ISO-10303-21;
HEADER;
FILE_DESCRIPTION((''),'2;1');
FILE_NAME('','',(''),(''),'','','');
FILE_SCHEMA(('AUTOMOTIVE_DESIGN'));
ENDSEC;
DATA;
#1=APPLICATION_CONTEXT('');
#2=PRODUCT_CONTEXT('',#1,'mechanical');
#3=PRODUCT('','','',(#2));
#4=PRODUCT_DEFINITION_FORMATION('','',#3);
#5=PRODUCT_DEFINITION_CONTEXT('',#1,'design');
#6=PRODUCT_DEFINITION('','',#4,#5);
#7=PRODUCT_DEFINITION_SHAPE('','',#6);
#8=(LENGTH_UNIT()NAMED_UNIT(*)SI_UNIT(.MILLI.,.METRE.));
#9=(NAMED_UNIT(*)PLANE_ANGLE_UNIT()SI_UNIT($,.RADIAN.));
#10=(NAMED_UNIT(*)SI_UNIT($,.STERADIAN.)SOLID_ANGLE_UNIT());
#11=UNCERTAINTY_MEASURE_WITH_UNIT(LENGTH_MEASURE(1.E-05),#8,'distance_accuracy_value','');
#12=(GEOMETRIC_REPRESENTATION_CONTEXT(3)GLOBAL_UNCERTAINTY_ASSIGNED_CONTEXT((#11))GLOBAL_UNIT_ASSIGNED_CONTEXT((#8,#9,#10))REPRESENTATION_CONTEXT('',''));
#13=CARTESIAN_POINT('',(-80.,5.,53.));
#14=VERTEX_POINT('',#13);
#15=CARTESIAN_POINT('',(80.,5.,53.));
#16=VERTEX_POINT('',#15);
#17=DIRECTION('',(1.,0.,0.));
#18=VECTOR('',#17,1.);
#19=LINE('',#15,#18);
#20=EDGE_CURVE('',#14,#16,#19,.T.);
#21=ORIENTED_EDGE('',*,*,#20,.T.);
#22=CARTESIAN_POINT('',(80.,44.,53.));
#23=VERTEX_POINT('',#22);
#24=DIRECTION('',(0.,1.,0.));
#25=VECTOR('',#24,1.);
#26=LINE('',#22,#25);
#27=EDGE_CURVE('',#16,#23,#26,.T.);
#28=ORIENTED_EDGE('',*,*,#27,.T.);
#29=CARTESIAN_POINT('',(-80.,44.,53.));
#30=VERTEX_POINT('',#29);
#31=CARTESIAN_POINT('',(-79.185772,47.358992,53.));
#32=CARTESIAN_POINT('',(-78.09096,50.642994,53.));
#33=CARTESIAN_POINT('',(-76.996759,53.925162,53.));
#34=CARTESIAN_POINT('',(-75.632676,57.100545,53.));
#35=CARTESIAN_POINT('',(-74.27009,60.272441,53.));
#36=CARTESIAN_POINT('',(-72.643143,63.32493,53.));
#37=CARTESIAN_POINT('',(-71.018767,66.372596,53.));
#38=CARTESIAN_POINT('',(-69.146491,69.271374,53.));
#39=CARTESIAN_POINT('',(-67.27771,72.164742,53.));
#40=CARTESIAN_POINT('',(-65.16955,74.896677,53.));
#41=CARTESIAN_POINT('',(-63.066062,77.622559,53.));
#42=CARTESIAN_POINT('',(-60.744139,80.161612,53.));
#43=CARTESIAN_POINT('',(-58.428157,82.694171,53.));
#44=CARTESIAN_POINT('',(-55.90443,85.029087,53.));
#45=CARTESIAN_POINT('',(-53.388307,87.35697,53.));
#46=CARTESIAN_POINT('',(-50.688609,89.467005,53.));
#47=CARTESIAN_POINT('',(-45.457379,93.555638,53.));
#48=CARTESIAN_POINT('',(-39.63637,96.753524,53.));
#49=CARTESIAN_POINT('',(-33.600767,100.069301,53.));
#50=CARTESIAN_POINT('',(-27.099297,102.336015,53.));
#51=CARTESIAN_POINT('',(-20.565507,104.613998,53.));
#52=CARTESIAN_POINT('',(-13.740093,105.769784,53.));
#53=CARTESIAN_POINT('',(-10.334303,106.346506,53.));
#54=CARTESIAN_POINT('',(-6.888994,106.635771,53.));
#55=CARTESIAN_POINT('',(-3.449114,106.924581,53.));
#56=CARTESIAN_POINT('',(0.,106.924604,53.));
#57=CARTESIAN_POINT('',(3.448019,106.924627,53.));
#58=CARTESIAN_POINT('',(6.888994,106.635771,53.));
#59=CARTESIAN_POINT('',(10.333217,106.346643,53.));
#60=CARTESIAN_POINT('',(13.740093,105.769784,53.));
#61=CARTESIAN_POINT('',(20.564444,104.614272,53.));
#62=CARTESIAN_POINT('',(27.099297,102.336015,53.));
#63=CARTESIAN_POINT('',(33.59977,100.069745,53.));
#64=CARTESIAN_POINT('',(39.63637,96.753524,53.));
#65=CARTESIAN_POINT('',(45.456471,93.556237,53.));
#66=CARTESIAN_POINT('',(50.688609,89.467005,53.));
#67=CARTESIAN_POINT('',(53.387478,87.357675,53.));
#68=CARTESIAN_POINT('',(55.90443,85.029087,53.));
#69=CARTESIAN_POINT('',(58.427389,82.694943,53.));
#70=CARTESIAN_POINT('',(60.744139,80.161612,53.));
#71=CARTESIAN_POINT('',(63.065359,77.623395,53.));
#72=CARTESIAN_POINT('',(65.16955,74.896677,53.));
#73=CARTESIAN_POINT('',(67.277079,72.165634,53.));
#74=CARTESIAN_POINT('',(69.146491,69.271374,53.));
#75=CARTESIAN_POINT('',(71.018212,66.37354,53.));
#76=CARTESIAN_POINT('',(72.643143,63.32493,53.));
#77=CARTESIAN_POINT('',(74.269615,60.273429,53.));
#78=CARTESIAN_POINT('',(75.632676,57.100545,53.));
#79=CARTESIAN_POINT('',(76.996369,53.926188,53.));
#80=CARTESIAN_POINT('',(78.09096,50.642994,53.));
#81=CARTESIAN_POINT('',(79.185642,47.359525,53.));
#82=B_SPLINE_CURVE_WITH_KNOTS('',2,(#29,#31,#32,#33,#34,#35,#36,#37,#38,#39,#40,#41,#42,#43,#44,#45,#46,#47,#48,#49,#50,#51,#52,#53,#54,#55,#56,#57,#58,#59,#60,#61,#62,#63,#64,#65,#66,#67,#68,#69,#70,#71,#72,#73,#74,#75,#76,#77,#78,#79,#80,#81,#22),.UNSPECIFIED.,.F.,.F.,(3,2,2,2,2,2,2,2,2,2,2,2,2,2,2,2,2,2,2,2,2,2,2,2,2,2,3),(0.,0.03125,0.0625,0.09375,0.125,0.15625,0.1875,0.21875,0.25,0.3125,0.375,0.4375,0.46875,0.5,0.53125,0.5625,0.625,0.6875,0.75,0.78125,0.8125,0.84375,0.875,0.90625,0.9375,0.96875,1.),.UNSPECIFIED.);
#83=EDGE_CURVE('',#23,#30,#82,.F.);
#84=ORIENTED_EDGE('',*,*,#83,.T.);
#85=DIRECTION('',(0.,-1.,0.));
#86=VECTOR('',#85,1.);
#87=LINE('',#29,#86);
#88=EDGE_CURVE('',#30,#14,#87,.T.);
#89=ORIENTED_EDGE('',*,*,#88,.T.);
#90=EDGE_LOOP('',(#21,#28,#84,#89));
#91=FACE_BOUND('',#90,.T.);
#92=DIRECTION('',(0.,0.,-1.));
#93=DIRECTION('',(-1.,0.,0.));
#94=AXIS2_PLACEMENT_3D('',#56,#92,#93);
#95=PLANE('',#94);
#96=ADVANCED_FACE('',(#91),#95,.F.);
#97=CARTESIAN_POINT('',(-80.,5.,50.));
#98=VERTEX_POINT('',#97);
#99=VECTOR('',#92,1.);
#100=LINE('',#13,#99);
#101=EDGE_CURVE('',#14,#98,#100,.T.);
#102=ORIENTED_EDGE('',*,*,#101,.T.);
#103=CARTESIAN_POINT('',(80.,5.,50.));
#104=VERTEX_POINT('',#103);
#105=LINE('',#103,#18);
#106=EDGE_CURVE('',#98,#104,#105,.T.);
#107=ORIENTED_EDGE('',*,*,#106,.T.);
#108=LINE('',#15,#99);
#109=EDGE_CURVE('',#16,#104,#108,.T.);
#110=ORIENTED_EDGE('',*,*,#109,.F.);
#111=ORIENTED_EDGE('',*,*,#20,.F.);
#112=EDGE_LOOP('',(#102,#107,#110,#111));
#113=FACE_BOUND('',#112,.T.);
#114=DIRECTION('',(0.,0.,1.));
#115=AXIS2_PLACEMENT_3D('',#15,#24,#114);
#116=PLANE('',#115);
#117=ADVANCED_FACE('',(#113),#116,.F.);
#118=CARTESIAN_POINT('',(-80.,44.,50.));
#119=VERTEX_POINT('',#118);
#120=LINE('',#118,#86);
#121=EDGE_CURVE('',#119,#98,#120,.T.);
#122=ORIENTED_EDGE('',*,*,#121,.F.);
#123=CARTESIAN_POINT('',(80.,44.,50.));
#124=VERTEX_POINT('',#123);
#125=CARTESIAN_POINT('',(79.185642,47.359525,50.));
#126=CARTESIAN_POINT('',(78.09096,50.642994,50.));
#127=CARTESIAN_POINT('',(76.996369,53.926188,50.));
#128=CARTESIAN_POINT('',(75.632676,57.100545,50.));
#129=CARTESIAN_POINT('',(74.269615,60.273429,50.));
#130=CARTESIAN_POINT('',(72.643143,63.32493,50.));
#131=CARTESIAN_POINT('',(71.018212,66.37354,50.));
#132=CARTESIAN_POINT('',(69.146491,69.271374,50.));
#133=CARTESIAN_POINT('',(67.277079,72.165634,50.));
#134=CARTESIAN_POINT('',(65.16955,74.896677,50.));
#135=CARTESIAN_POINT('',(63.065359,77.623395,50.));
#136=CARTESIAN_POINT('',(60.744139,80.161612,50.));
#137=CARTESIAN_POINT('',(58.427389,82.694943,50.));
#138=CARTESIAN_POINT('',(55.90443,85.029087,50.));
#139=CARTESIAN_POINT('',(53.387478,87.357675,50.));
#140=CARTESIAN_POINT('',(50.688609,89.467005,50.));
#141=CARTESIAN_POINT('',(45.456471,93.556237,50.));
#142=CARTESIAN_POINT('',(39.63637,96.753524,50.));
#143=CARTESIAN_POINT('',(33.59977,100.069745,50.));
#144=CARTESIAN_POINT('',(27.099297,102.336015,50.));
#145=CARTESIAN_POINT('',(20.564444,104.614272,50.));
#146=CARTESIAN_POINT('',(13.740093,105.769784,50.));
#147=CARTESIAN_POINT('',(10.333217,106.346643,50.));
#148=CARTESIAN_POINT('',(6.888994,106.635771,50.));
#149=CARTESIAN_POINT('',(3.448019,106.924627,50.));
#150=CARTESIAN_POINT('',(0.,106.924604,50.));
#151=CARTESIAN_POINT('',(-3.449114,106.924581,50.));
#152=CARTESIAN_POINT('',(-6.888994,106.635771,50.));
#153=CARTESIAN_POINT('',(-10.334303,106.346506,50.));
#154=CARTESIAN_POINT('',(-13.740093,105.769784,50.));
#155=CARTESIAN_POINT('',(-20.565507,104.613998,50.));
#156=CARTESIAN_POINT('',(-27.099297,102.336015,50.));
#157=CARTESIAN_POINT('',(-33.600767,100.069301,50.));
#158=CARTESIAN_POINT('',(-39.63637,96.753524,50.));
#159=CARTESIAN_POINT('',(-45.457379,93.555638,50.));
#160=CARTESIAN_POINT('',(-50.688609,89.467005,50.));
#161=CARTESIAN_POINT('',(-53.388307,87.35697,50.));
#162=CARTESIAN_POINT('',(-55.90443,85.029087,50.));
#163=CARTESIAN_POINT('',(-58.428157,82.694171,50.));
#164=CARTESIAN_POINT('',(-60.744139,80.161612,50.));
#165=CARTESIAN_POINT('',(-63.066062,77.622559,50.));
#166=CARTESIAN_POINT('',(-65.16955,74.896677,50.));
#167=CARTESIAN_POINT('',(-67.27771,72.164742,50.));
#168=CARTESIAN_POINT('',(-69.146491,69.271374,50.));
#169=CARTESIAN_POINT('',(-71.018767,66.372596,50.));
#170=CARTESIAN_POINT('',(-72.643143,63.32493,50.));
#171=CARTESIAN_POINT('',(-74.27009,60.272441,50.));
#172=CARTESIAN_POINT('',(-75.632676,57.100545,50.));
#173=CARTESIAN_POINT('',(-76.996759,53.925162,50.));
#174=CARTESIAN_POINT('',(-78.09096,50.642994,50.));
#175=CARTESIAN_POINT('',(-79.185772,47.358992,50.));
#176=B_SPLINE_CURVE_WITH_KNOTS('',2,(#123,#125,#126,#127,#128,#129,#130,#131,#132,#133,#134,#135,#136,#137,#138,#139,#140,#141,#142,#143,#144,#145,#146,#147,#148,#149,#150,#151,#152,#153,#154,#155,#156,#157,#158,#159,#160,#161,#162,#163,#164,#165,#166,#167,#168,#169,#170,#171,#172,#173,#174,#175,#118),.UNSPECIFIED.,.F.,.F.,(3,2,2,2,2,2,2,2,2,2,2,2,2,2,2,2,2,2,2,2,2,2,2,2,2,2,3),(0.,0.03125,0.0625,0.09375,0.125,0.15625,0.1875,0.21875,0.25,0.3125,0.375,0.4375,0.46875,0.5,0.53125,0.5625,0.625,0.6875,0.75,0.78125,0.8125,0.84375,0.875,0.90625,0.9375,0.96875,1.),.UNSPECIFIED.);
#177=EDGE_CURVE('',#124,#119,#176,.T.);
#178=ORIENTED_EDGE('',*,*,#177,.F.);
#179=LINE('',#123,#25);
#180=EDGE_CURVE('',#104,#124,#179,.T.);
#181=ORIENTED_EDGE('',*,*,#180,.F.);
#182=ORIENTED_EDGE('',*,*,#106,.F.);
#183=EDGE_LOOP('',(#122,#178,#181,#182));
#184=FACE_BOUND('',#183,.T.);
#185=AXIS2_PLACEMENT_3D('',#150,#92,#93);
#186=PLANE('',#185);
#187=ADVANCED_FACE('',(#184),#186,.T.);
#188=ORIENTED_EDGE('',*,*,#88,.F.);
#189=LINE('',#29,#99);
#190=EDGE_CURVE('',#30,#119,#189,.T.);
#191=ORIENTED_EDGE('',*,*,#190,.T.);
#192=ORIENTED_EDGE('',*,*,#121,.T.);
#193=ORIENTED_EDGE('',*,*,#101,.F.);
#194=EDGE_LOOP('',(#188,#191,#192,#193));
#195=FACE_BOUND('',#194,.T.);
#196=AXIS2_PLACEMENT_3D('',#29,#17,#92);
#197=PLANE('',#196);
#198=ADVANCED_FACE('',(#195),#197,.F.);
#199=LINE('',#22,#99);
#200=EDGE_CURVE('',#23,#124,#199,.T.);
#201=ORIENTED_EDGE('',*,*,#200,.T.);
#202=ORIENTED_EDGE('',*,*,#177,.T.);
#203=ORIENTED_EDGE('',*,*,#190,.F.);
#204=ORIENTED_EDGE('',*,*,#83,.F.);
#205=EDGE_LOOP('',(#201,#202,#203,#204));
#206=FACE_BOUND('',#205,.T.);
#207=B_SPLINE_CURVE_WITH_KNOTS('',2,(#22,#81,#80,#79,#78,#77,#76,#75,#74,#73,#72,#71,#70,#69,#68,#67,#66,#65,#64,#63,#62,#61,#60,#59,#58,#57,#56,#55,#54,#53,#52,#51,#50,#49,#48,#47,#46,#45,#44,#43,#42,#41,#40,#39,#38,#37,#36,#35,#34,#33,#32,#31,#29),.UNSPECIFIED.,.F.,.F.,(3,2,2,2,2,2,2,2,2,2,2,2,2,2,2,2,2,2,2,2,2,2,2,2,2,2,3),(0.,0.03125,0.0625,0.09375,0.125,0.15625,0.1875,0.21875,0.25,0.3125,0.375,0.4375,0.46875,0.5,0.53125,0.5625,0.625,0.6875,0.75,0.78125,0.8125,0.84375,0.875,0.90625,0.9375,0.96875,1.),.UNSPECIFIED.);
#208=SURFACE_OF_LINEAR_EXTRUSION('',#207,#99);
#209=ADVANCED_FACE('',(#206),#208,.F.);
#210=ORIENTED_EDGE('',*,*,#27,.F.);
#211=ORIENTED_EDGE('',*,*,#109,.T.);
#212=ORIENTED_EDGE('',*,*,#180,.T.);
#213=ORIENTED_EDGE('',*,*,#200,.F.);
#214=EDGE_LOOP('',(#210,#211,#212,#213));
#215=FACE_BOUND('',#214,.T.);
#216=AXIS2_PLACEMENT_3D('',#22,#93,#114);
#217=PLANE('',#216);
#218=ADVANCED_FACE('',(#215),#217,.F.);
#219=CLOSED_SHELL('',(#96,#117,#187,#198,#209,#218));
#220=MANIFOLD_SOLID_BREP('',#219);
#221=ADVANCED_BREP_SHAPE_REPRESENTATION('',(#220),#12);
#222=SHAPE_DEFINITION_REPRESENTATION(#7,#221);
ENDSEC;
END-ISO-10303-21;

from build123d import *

# Parameters (mm, degrees)
BOSS_EXTRUDE2_DEPTH = 3


with BuildPart() as part:
    # Sketch1 → Boss-Extrude2 (new body)
    with BuildSketch(Plane.XY.offset(50)):
        with BuildLine():
            Line((-80, 44), (-80, 5))
            Line((-80, 5), (80, 5))
            Line((80, 5), (80, 44))
            add(Edge.make_bspline(
                [(80, 44), (79.185642369, 47.359524915), (78.090959871, 50.642993584), (76.996368958, 53.926187544), (75.632675663, 57.10054514), (74.269615367, 60.273429264), (72.643143273, 63.32493049), (71.018212254, 66.373540431), (69.1464912, 69.271374277), (67.277078717, 72.165633951), (65.169549811, 74.896677142), (63.065358875, 77.623394823), (60.744139477, 80.161612215), (58.427389088, 82.694942814), (55.904430358, 85.029087339), (53.387478477, 87.357674556), (50.688608551, 89.467004871), (45.456471329, 93.556237017), (39.636370091, 96.753523893), (33.599770017, 100.069744935), (27.099296795, 102.336015416), (20.564444407, 104.614271561), (13.740092778, 105.769784195), (10.333217013, 106.346643097), (6.888993887, 106.635771433), (3.448019324, 106.924627066), (0, 106.924604145), (-3.449113504, 106.924581216), (-6.888993887, 106.635771433), (-10.334302501, 106.346505901), (-13.740092778, 105.769784195), (-20.565506972, 104.613998254), (-27.099296795, 102.336015416), (-33.600766875, 100.069300743), (-39.636370091, 96.753523893), (-45.457379422, 93.555638398), (-50.688608551, 89.467004871), (-53.388306697, 87.356969911), (-55.904430358, 85.029087339), (-58.428156622, 82.694170944), (-60.744139477, 80.161612215), (-63.066061591, 77.622558826), (-65.169549811, 74.896677142), (-67.277709684, 72.164741527), (-69.1464912, 69.271374277), (-71.018767488, 66.372596198), (-72.643143273, 63.32493049), (-74.270089872, 60.272441402), (-75.632675663, 57.10054514), (-76.996759289, 53.925162142), (-78.090959871, 50.642993584), (-79.18577157, 47.358991913), (-80, 44)],
                knots=[0, 0, 0, 0.03125, 0.03125, 0.0625, 0.0625, 0.09375, 0.09375, 0.125, 0.125, 0.15625, 0.15625, 0.1875, 0.1875, 0.21875, 0.21875, 0.25, 0.25, 0.3125, 0.3125, 0.375, 0.375, 0.4375, 0.4375, 0.46875, 0.46875, 0.5, 0.5, 0.53125, 0.53125, 0.5625, 0.5625, 0.625, 0.625, 0.6875, 0.6875, 0.75, 0.75, 0.78125, 0.78125, 0.8125, 0.8125, 0.84375, 0.84375, 0.875, 0.875, 0.90625, 0.90625, 0.9375, 0.9375, 0.96875, 0.96875, 1, 1, 1], degree=2))
        make_face()
    extrude(amount=BOSS_EXTRUDE2_DEPTH)


solid = part.part
